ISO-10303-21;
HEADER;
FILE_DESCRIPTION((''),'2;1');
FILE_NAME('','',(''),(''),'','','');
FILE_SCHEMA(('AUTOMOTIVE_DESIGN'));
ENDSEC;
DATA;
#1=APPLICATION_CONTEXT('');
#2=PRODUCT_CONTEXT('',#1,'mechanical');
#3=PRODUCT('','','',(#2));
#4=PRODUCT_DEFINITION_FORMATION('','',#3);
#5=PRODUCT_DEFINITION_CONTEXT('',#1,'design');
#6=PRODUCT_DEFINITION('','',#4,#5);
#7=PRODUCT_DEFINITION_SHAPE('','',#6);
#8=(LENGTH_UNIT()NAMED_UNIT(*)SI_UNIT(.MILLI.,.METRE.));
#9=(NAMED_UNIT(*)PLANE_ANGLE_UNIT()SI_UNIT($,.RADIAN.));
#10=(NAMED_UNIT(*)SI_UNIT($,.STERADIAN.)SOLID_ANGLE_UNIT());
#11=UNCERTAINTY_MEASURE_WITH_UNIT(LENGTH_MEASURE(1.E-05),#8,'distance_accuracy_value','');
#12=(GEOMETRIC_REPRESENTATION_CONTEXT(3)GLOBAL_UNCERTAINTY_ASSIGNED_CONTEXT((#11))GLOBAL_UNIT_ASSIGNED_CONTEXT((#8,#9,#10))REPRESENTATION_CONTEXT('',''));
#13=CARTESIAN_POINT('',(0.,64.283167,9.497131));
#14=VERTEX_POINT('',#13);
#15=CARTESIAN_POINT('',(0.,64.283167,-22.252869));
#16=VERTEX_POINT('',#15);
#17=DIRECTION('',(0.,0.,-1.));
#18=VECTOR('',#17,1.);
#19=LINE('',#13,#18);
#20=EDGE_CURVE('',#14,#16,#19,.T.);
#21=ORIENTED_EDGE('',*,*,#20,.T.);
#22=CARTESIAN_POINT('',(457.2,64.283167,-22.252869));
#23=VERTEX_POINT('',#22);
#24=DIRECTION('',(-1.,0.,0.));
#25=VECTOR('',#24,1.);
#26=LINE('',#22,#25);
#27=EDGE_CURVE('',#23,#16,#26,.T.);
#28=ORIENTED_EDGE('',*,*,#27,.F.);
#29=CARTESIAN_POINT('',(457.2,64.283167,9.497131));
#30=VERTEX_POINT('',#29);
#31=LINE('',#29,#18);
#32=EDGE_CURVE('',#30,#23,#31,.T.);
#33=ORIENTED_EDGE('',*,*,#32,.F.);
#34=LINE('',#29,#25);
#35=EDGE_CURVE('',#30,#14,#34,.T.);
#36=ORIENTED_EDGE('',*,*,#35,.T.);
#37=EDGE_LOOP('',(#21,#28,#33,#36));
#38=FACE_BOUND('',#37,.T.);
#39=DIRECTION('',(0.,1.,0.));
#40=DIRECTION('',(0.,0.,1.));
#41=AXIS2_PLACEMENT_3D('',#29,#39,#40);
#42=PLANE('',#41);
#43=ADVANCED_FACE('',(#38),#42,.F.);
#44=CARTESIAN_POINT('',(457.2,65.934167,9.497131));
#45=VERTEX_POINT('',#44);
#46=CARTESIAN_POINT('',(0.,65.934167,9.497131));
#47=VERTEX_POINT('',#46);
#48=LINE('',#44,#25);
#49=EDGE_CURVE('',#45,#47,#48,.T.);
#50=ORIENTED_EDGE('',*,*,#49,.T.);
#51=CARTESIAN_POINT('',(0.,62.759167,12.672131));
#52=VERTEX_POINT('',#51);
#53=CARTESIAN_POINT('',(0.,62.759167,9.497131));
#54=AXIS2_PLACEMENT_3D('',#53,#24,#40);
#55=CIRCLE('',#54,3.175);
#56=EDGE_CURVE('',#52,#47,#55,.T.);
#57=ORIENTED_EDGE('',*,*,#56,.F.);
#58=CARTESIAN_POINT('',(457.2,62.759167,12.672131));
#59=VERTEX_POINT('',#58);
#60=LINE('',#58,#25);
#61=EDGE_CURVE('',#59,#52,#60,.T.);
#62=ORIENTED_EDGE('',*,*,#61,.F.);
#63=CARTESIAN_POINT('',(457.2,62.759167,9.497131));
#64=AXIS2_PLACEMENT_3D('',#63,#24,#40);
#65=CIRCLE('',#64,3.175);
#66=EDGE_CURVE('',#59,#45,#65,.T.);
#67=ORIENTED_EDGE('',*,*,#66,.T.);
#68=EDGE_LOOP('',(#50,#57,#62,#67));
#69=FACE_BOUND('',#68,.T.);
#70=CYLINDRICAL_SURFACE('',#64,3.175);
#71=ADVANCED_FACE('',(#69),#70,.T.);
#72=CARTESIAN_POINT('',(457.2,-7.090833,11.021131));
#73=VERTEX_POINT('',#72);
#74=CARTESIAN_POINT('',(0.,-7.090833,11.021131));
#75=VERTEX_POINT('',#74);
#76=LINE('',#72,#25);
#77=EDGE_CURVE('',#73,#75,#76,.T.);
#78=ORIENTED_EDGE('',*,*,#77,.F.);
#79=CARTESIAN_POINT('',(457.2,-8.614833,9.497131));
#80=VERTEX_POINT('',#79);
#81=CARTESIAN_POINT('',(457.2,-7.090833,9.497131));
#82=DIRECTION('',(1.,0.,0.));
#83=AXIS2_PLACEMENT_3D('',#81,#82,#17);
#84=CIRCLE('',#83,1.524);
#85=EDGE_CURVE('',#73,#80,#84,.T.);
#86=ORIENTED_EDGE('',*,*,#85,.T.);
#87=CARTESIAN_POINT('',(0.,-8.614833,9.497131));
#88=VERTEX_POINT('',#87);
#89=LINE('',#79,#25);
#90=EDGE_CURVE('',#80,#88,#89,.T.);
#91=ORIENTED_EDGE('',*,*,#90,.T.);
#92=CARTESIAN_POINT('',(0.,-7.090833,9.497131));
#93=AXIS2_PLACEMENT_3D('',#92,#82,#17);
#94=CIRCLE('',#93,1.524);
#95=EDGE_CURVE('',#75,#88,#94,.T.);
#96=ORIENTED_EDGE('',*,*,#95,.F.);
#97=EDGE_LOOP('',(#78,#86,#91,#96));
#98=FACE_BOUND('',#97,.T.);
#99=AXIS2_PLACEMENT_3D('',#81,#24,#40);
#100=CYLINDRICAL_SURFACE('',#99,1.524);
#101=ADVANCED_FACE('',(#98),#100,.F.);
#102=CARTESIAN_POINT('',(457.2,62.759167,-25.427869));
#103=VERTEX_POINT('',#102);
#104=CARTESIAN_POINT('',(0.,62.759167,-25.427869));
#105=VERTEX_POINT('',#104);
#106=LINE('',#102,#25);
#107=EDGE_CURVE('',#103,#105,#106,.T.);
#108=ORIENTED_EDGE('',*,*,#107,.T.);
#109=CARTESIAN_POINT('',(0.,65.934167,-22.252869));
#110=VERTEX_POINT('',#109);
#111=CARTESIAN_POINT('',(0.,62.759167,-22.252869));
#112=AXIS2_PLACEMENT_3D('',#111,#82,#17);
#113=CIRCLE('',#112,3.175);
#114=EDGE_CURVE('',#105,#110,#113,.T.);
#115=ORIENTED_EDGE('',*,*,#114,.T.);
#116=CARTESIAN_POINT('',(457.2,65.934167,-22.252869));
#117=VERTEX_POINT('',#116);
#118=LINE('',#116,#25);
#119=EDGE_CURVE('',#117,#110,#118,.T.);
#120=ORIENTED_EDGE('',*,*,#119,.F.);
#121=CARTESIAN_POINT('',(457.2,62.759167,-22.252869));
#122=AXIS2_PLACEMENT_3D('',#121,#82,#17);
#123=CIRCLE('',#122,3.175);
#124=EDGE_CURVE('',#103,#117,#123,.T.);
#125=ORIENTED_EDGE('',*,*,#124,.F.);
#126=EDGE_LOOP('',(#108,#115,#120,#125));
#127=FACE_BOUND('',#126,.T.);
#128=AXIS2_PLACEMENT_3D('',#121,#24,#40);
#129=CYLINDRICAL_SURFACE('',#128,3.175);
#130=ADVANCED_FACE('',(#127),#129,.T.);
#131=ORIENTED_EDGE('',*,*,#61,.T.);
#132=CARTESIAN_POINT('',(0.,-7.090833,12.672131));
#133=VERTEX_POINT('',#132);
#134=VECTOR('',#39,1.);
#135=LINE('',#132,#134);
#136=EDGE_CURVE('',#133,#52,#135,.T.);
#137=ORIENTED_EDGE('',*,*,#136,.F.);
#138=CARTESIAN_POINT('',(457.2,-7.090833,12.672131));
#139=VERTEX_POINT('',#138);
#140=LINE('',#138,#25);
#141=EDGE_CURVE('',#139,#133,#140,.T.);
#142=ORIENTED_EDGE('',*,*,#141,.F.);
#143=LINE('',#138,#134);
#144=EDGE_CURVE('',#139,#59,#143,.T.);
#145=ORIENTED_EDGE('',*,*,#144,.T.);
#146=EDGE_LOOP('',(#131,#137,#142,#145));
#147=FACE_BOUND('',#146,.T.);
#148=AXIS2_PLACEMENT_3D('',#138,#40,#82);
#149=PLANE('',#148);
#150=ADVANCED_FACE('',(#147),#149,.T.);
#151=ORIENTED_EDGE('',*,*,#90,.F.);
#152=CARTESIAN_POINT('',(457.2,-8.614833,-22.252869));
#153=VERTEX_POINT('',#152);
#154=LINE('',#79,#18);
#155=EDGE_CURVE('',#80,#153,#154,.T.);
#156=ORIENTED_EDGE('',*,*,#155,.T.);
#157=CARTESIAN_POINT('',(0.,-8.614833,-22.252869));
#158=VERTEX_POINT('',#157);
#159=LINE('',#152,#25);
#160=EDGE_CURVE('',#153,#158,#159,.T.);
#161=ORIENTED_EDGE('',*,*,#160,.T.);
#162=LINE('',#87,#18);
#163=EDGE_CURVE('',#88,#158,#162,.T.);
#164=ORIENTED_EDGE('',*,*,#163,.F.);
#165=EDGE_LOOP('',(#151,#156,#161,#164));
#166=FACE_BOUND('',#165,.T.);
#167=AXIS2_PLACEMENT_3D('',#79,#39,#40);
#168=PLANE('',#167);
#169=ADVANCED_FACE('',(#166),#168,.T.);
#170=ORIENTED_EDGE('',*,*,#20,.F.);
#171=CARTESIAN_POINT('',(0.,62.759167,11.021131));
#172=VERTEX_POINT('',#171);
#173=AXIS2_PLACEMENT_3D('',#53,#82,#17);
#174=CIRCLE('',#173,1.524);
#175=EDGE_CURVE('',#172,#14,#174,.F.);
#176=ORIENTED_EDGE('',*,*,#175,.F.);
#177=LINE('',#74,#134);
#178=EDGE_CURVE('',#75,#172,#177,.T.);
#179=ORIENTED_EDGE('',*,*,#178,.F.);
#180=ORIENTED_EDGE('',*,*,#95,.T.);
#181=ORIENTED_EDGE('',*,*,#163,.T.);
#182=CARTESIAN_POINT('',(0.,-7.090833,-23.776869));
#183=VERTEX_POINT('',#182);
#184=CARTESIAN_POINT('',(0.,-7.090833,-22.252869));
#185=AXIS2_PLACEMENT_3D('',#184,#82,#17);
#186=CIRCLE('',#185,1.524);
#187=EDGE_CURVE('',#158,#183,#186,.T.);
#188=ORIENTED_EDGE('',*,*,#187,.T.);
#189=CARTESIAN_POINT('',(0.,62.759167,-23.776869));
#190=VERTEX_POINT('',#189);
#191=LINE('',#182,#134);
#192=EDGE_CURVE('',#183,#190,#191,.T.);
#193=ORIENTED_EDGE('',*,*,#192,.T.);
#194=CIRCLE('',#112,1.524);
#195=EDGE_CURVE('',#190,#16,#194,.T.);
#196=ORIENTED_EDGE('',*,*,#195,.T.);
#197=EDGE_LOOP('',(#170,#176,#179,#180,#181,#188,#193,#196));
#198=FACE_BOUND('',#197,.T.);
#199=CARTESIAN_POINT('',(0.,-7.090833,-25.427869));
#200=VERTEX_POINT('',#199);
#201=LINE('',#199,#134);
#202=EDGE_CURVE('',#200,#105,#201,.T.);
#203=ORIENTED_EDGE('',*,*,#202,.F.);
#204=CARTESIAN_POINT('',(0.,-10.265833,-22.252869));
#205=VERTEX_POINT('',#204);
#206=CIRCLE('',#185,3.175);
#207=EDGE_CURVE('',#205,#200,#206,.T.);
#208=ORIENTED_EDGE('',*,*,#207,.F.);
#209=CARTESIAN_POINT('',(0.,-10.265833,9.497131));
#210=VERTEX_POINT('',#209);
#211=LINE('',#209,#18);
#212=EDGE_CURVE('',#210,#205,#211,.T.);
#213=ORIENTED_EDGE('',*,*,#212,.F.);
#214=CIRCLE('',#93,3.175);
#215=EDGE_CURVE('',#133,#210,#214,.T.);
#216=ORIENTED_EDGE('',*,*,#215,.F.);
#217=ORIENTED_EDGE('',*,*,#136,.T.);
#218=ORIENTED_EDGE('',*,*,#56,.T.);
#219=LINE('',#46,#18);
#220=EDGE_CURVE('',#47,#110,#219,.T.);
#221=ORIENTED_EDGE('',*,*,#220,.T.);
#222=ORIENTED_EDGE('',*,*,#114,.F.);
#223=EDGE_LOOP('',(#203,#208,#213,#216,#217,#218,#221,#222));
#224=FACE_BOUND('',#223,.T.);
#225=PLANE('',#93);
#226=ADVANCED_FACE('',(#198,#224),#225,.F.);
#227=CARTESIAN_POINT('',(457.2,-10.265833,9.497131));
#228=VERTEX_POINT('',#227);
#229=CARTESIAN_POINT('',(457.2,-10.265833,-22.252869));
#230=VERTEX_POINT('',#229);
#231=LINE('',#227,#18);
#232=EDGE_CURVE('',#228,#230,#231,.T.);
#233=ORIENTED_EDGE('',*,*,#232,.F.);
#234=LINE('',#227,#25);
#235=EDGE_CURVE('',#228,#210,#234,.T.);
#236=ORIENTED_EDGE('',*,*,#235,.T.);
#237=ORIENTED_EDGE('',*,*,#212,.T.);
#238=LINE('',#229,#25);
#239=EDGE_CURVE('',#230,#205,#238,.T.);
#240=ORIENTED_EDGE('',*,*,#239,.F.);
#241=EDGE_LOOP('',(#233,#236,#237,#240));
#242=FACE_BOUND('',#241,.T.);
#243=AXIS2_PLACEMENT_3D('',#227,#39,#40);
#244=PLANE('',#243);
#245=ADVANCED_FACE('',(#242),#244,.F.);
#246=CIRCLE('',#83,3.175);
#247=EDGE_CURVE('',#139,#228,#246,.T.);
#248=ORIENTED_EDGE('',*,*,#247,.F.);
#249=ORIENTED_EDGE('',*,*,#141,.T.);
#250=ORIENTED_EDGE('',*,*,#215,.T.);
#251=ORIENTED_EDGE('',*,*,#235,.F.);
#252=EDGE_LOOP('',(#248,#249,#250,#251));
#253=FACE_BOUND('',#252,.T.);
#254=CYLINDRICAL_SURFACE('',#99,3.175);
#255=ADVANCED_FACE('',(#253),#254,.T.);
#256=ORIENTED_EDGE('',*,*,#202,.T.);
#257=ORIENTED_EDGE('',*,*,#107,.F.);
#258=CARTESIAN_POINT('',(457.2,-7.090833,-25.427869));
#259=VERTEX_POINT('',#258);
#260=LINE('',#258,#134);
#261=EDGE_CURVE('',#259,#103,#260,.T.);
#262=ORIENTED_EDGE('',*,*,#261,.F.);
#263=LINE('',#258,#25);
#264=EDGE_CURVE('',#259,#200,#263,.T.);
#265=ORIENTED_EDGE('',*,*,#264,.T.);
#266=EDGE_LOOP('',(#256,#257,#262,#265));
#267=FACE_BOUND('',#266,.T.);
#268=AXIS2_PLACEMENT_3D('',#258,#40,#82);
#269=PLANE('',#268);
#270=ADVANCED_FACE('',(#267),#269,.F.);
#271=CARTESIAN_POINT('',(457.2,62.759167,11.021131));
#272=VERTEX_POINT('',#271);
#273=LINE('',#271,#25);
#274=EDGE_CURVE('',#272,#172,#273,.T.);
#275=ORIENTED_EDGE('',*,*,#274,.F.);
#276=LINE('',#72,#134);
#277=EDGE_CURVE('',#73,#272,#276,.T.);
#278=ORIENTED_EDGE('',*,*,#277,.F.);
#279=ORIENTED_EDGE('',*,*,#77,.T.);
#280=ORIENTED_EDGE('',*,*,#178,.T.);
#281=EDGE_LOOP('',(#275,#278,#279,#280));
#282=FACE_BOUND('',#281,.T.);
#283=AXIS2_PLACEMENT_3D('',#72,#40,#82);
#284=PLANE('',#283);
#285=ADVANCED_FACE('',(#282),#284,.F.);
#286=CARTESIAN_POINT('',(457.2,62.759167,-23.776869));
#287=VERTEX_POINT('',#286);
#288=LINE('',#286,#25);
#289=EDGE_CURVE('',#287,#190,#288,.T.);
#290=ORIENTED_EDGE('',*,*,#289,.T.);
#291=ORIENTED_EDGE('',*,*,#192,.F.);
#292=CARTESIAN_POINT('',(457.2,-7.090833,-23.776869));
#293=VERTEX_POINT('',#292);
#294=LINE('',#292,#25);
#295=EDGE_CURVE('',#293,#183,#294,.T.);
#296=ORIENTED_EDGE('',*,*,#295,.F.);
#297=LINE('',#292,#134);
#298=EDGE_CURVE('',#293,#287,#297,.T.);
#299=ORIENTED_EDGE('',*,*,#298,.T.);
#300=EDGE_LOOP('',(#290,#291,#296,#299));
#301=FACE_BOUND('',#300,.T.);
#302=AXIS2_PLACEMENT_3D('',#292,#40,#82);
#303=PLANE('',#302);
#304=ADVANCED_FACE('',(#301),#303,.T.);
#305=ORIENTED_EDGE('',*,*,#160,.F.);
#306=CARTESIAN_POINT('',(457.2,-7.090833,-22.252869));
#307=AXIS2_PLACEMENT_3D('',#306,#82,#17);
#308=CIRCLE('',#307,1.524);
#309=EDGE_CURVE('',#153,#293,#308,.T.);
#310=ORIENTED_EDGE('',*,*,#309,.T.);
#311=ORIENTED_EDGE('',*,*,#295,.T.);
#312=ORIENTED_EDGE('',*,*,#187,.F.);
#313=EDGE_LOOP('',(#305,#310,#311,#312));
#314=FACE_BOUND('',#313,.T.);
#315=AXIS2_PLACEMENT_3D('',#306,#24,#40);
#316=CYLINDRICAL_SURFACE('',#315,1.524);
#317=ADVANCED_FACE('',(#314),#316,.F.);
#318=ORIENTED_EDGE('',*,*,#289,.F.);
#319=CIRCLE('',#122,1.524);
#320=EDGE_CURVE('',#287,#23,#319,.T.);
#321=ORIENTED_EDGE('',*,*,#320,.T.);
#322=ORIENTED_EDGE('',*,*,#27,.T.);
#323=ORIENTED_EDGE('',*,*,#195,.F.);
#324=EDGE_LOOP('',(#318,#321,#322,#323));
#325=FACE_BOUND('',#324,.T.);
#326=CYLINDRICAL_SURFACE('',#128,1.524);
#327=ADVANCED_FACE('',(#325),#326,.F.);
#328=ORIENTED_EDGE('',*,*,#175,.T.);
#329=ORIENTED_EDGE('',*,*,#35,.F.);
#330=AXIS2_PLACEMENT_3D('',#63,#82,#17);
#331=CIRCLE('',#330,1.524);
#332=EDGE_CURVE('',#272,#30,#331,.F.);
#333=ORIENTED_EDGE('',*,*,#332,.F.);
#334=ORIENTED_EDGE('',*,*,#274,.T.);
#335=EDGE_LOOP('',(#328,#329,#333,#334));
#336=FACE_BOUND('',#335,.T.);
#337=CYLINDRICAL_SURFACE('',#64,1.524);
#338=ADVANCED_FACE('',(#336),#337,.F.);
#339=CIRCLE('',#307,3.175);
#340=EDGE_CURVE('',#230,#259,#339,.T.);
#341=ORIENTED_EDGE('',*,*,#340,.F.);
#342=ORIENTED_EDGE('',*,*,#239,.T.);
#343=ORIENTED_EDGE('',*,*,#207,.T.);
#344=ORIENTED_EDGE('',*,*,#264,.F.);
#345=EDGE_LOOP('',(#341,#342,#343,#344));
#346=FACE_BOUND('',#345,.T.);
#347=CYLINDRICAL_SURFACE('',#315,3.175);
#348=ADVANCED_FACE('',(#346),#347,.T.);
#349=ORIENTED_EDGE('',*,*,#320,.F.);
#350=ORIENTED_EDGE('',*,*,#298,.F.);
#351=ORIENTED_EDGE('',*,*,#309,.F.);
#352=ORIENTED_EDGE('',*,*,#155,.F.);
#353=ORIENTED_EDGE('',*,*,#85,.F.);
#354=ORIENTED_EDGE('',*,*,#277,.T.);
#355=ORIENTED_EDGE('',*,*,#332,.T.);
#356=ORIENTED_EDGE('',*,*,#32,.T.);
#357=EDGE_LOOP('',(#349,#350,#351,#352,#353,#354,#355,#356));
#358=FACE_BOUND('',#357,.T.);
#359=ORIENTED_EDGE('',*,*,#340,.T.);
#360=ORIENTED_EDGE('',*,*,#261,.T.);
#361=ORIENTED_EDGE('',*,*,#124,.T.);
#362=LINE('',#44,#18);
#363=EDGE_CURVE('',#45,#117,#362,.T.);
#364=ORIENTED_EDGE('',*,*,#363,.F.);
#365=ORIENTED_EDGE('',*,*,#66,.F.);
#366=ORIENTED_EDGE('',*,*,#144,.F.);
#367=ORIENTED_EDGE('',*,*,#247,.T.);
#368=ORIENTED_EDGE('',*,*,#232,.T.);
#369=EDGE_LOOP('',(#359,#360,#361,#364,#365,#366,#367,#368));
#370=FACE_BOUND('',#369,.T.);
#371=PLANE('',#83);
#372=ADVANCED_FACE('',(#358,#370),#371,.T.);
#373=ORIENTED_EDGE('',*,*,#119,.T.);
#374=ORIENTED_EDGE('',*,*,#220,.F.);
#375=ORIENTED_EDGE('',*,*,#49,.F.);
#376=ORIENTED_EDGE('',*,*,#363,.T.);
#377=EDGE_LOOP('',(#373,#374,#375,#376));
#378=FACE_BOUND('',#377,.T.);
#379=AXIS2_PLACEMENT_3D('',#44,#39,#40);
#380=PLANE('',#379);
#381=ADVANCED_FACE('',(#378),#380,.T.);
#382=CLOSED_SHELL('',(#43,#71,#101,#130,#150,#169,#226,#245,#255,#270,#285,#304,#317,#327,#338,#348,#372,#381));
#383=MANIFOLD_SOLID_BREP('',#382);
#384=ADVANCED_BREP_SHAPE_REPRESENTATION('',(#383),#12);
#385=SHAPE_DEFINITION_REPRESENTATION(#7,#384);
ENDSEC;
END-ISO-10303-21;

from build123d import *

# Parameters (mm, degrees)
EXTRUDE_THIN2_DEPTH = 457.2


with BuildPart() as part:
    # Sketch1 → Extrude-Thin2 (new body)
    with BuildSketch(Plane(origin=(0, 0, 0), x_dir=(0, 0, -1), z_dir=(1, 0, 0))):
        with BuildLine():
            Line((22.252869444, 65.934166667), (-9.497130556, 65.934166667))
            ThreePointArc((-9.497130556, 65.934166667), (-11.742194586, 65.004230697), (-12.672130556, 62.759166667))
            Line((-12.672130556, 62.759166667), (-12.672130556, -7.090833333))
            ThreePointArc((-12.672130556, -7.090833333), (-11.742194586, -9.335897364), (-9.497130556, -10.265833333))
            Line((-9.497130556, -10.265833333), (22.252869444, -10.265833333))
            ThreePointArc((22.252869444, -10.265833333), (24.497933475, -9.335897364), (25.427869444, -7.090833333))
            Line((25.427869444, -7.090833333), (25.427869444, 62.759166667))
            ThreePointArc((25.427869444, 62.759166667), (24.497933475, 65.004230697), (22.252869444, 65.934166667))
        make_face()
        with BuildLine():
            Line((22.252869444, 64.283166667), (-9.497130556, 64.283166667))
            ThreePointArc((-9.497130556, 64.283166667), (-10.57476129, 63.836797401), (-11.021130556, 62.759166667))
            Line((-11.021130556, 62.759166667), (-11.021130556, -7.090833333))
            ThreePointArc((-11.021130556, -7.090833333), (-10.57476129, -8.168464068), (-9.497130556, -8.614833333))
            Line((-9.497130556, -8.614833333), (22.252869444, -8.614833333))
            ThreePointArc((22.252869444, -8.614833333), (23.330500179, -8.168464068), (23.776869444, -7.090833333))
            Line((23.776869444, -7.090833333), (23.776869444, 62.759166667))
            ThreePointArc((23.776869444, 62.759166667), (23.330500179, 63.836797401), (22.252869444, 64.283166667))
        make_face(mode=Mode.SUBTRACT)
    extrude(amount=EXTRUDE_THIN2_DEPTH)


solid = part.part
